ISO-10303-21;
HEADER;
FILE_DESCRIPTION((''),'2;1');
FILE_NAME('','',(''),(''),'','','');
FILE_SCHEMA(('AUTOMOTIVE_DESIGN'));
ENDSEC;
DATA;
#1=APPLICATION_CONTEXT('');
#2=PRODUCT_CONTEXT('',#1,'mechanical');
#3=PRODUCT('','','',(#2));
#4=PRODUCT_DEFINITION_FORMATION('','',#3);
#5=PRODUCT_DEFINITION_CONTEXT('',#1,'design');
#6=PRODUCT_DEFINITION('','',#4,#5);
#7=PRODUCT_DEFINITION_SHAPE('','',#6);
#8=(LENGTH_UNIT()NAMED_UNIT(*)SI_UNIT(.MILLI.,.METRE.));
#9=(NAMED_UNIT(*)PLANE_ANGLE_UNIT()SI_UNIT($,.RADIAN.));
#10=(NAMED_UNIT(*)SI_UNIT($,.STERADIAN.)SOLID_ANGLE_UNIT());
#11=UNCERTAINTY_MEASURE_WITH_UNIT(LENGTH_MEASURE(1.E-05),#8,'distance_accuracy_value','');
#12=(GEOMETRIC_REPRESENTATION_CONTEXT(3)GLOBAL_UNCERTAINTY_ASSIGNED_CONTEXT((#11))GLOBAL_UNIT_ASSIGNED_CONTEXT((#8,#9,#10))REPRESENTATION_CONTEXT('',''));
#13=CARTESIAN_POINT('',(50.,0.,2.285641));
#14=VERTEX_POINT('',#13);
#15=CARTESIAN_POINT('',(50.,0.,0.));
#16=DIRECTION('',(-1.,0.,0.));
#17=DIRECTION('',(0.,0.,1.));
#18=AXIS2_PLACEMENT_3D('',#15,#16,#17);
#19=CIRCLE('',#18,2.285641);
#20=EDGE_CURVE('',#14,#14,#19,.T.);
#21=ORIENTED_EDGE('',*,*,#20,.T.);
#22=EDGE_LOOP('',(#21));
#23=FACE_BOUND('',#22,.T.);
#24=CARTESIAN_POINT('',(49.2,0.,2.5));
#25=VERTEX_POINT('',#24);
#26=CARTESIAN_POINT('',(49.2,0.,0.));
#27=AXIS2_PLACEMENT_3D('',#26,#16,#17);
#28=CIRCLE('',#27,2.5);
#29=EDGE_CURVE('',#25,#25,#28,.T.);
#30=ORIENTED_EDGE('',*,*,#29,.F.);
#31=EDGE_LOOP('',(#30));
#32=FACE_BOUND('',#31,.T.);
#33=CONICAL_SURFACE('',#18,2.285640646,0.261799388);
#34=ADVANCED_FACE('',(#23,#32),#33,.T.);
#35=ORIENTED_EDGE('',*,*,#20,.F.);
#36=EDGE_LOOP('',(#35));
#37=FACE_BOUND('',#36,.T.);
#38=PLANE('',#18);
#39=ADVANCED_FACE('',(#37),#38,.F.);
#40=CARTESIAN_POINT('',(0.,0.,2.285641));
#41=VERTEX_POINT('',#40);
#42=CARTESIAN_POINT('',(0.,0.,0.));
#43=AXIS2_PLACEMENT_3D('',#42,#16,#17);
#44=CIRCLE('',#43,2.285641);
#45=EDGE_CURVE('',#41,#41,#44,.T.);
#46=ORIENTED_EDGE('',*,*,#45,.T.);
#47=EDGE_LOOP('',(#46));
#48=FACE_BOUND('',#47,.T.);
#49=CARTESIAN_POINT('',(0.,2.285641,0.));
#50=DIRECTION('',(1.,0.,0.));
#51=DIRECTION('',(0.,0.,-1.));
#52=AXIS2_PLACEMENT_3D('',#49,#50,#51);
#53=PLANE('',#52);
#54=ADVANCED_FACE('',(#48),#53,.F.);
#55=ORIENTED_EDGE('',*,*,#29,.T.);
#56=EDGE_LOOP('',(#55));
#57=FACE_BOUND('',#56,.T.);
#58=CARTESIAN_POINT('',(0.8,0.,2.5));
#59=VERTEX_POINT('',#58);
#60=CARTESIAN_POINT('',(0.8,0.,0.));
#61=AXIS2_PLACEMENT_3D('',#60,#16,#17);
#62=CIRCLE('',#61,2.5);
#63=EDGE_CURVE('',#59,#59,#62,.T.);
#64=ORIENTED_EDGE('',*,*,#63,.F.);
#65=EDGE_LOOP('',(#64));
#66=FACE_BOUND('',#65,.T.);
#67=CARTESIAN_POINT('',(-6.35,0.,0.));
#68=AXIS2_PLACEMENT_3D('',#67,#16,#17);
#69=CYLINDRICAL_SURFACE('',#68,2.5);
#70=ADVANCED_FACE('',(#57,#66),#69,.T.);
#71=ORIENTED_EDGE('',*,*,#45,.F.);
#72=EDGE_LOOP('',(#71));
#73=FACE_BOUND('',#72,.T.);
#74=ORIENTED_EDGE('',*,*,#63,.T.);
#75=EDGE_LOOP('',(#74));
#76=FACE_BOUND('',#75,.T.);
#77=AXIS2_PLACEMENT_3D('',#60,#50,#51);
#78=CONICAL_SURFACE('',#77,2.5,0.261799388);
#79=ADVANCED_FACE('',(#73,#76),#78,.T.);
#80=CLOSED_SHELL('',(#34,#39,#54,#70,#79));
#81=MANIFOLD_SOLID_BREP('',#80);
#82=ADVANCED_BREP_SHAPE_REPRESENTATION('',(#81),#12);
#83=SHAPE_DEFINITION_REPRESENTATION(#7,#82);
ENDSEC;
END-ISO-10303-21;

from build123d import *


with BuildPart() as part:
    # Sketch1 → Base-Revolve (revolve)
    with BuildSketch(Plane.XY, mode=Mode.PRIVATE) as base_revolve_sk:
        Polygon((0, 0), (50, 0), (50, 2.285640646), (49.2, 2.5), (0.8, 2.5), (0, 2.285640646), align=None)
    revolve(base_revolve_sk.sketch.rotate(Axis((-6.35, 0, 0), (1, 0, 0)), 90), axis=Axis((-6.35, 0, 0), (1, 0, 0)))


solid = part.part
